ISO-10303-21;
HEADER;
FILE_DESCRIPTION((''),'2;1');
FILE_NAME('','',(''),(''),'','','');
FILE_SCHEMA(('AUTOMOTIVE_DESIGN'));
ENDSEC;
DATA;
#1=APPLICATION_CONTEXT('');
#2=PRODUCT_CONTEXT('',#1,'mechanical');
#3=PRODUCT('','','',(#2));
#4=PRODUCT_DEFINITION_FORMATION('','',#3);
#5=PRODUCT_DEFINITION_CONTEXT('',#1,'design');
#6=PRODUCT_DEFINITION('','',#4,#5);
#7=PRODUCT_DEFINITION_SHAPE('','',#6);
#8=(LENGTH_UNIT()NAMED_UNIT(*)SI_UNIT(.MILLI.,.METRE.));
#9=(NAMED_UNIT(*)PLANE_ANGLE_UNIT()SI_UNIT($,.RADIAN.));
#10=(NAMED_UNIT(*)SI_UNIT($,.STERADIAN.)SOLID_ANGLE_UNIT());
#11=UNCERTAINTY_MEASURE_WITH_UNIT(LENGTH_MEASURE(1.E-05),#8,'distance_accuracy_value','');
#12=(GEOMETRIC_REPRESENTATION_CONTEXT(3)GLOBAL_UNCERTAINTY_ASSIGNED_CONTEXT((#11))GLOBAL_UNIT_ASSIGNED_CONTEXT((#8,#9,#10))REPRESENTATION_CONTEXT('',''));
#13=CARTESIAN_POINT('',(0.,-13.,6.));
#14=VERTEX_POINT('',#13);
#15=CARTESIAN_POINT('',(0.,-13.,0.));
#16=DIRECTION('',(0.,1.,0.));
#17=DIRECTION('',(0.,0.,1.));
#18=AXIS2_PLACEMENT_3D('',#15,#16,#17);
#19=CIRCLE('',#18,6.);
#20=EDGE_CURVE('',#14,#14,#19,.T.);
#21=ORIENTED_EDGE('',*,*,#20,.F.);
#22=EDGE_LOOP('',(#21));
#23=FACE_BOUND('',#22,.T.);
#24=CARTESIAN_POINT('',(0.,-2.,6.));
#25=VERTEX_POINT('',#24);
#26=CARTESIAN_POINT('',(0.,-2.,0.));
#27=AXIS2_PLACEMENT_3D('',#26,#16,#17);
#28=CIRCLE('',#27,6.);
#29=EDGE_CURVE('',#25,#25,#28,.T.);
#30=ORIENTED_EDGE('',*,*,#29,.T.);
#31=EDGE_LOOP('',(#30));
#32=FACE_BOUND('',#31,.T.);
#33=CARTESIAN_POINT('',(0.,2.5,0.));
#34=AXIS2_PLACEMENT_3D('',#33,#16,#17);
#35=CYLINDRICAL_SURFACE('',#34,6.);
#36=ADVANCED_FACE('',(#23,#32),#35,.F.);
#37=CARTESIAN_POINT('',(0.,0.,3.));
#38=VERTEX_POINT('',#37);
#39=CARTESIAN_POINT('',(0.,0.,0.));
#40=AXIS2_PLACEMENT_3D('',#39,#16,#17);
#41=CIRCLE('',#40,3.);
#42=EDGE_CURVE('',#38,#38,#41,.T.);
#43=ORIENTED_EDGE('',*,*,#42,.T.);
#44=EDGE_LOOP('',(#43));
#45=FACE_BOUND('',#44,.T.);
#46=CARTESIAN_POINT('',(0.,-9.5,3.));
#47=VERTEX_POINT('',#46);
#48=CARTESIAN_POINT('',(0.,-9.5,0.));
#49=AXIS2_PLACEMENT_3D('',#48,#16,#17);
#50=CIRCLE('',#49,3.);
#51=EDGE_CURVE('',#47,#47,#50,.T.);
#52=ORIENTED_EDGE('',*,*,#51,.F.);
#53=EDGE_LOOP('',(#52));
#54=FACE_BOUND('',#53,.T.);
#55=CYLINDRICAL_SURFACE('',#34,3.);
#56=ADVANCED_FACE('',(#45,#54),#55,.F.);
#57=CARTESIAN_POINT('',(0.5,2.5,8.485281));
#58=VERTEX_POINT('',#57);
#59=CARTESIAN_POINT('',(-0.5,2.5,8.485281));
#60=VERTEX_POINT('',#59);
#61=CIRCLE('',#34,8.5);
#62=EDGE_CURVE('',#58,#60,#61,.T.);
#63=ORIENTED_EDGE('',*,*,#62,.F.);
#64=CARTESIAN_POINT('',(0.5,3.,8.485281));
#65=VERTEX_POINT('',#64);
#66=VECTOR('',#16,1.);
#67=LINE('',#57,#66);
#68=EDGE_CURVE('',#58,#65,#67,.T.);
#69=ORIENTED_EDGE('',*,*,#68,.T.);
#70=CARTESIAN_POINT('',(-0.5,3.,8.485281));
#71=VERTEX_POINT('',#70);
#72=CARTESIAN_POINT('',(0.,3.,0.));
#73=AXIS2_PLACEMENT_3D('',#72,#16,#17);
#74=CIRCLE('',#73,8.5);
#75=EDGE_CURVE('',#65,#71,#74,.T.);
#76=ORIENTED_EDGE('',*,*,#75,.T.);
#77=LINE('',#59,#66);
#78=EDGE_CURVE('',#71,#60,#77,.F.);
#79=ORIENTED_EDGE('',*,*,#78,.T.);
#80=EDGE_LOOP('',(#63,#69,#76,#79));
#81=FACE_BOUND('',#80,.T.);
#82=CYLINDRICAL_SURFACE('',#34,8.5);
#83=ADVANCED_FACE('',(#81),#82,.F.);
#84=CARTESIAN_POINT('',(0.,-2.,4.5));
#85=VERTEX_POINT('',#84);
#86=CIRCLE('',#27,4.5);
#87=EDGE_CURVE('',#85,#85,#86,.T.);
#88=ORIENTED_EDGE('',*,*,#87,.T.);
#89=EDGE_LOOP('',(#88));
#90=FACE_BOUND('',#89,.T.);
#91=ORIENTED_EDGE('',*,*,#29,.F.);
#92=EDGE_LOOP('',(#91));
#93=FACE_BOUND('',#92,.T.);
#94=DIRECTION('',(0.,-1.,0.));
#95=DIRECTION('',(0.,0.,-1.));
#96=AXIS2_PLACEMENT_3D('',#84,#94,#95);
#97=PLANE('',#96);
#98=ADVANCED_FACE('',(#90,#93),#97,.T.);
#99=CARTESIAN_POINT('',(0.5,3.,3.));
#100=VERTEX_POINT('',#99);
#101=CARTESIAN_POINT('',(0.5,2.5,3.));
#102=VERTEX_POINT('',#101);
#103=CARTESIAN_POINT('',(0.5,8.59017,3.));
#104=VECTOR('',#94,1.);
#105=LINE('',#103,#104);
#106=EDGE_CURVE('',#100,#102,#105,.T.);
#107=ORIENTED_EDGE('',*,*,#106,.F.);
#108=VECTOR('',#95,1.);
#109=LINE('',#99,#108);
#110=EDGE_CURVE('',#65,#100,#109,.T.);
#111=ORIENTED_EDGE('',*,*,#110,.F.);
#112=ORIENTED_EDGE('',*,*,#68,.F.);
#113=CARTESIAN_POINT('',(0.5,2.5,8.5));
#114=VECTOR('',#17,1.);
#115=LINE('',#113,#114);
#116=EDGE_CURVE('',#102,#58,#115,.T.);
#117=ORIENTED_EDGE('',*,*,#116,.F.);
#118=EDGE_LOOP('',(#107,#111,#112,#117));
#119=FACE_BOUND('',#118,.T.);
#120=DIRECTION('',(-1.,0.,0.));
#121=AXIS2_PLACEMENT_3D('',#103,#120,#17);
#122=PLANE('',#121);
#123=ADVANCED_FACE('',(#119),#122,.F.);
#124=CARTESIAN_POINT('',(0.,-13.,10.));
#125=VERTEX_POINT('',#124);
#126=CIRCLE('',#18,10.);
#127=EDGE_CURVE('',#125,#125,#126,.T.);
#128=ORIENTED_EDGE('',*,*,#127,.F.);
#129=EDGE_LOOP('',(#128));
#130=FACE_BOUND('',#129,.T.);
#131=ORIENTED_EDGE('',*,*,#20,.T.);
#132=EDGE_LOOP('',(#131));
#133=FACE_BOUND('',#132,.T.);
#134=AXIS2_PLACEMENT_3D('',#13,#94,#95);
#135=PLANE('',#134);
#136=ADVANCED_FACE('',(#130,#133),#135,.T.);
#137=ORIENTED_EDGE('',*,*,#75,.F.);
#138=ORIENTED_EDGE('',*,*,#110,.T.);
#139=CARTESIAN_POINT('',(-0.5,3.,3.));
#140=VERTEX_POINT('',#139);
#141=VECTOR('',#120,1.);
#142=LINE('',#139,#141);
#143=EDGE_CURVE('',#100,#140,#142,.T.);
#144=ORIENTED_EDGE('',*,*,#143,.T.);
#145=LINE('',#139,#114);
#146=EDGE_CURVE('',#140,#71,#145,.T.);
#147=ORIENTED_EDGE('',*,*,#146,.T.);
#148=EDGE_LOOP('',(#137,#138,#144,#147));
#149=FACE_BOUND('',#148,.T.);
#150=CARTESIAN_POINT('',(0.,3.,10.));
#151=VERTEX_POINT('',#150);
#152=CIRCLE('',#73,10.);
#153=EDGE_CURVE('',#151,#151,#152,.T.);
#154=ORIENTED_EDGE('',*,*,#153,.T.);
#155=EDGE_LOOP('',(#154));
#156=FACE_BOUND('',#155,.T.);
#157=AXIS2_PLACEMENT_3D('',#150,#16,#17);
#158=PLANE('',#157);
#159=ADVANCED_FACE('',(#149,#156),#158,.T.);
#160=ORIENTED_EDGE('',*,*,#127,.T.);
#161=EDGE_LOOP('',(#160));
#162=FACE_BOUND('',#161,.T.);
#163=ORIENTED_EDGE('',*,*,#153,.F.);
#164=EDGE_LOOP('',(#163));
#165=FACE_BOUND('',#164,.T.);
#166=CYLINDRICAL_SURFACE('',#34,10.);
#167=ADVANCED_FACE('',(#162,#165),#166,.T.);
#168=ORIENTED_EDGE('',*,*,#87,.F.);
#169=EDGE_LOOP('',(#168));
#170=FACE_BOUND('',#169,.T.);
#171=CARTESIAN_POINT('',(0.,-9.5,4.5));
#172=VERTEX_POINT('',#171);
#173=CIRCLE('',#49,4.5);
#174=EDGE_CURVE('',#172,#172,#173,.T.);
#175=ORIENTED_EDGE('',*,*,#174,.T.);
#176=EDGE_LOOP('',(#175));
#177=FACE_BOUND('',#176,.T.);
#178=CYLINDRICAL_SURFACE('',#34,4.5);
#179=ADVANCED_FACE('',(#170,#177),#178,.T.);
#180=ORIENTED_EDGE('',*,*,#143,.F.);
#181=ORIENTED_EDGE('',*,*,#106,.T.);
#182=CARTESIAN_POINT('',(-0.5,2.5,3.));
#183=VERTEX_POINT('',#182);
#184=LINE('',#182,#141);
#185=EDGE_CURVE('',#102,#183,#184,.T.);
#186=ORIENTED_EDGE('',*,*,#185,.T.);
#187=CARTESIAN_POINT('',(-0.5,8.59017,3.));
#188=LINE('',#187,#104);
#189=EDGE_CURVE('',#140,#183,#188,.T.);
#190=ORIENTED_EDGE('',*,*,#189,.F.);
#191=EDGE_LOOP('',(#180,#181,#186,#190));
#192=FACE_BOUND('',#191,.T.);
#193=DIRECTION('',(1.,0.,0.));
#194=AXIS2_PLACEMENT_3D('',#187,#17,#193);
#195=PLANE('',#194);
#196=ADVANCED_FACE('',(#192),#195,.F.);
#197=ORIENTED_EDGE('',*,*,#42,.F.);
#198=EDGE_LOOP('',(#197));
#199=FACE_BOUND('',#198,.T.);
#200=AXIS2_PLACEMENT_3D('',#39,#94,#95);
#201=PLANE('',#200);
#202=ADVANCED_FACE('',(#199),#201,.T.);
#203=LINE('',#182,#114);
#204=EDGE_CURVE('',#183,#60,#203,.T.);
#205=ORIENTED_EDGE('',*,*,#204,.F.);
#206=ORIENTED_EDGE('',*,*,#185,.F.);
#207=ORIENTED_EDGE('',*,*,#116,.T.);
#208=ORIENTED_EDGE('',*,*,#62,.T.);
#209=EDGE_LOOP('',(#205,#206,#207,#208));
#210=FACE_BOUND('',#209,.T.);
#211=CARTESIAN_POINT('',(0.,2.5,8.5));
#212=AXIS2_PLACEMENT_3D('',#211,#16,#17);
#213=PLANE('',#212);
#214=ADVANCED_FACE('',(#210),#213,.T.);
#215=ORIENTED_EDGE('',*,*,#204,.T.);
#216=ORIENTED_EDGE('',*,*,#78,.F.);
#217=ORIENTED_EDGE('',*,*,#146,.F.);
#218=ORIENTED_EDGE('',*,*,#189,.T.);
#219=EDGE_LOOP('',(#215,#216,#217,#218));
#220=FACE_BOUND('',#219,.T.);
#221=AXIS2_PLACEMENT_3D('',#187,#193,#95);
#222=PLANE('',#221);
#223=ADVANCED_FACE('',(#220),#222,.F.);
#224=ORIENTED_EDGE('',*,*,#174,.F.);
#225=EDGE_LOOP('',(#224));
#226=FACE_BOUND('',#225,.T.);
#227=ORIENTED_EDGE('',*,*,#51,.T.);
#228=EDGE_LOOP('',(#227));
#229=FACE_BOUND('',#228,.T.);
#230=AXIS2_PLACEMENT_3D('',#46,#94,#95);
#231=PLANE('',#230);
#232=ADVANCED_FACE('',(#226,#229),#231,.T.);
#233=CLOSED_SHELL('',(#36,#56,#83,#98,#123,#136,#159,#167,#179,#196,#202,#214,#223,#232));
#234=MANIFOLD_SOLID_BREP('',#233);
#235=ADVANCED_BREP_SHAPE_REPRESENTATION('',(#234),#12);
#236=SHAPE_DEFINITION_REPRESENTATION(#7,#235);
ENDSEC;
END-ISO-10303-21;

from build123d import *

# Parameters (mm, degrees)
SKETCH_2_W      = 1
SKETCH_2_H      = 5.5
EXTRUDE_1_DEPTH = 0.5


with BuildPart() as part:
    # Эскиз1 → Повернуть1 (revolve)
    with BuildSketch(Plane(origin=(0, 0, 0), x_dir=(0, 0, -1), z_dir=(1, 0, 0))):
        Polygon((0, 0), (-3, 0), (-3, -9.5), (-4.5, -9.5), (-4.5, -2), (-6, -2), (-6, -13), (-10, -13), (-10, 3), (-8.5, 3), (-8.5, 2.5), (0, 2.5), align=None)
    revolve(axis=Axis((0, 2.5, 0), (0, -1, 0)))

    # Эскиз2 → Бобышка-Вытянуть1 (add)
    with BuildSketch(Plane(origin=(0, 2.5, 0), x_dir=(1, 0, 0), z_dir=(0, 1, 0))):
        with Locations((0, -5.75)):
            Rectangle(SKETCH_2_W, SKETCH_2_H)
    extrude(amount=EXTRUDE_1_DEPTH)


solid = part.part
